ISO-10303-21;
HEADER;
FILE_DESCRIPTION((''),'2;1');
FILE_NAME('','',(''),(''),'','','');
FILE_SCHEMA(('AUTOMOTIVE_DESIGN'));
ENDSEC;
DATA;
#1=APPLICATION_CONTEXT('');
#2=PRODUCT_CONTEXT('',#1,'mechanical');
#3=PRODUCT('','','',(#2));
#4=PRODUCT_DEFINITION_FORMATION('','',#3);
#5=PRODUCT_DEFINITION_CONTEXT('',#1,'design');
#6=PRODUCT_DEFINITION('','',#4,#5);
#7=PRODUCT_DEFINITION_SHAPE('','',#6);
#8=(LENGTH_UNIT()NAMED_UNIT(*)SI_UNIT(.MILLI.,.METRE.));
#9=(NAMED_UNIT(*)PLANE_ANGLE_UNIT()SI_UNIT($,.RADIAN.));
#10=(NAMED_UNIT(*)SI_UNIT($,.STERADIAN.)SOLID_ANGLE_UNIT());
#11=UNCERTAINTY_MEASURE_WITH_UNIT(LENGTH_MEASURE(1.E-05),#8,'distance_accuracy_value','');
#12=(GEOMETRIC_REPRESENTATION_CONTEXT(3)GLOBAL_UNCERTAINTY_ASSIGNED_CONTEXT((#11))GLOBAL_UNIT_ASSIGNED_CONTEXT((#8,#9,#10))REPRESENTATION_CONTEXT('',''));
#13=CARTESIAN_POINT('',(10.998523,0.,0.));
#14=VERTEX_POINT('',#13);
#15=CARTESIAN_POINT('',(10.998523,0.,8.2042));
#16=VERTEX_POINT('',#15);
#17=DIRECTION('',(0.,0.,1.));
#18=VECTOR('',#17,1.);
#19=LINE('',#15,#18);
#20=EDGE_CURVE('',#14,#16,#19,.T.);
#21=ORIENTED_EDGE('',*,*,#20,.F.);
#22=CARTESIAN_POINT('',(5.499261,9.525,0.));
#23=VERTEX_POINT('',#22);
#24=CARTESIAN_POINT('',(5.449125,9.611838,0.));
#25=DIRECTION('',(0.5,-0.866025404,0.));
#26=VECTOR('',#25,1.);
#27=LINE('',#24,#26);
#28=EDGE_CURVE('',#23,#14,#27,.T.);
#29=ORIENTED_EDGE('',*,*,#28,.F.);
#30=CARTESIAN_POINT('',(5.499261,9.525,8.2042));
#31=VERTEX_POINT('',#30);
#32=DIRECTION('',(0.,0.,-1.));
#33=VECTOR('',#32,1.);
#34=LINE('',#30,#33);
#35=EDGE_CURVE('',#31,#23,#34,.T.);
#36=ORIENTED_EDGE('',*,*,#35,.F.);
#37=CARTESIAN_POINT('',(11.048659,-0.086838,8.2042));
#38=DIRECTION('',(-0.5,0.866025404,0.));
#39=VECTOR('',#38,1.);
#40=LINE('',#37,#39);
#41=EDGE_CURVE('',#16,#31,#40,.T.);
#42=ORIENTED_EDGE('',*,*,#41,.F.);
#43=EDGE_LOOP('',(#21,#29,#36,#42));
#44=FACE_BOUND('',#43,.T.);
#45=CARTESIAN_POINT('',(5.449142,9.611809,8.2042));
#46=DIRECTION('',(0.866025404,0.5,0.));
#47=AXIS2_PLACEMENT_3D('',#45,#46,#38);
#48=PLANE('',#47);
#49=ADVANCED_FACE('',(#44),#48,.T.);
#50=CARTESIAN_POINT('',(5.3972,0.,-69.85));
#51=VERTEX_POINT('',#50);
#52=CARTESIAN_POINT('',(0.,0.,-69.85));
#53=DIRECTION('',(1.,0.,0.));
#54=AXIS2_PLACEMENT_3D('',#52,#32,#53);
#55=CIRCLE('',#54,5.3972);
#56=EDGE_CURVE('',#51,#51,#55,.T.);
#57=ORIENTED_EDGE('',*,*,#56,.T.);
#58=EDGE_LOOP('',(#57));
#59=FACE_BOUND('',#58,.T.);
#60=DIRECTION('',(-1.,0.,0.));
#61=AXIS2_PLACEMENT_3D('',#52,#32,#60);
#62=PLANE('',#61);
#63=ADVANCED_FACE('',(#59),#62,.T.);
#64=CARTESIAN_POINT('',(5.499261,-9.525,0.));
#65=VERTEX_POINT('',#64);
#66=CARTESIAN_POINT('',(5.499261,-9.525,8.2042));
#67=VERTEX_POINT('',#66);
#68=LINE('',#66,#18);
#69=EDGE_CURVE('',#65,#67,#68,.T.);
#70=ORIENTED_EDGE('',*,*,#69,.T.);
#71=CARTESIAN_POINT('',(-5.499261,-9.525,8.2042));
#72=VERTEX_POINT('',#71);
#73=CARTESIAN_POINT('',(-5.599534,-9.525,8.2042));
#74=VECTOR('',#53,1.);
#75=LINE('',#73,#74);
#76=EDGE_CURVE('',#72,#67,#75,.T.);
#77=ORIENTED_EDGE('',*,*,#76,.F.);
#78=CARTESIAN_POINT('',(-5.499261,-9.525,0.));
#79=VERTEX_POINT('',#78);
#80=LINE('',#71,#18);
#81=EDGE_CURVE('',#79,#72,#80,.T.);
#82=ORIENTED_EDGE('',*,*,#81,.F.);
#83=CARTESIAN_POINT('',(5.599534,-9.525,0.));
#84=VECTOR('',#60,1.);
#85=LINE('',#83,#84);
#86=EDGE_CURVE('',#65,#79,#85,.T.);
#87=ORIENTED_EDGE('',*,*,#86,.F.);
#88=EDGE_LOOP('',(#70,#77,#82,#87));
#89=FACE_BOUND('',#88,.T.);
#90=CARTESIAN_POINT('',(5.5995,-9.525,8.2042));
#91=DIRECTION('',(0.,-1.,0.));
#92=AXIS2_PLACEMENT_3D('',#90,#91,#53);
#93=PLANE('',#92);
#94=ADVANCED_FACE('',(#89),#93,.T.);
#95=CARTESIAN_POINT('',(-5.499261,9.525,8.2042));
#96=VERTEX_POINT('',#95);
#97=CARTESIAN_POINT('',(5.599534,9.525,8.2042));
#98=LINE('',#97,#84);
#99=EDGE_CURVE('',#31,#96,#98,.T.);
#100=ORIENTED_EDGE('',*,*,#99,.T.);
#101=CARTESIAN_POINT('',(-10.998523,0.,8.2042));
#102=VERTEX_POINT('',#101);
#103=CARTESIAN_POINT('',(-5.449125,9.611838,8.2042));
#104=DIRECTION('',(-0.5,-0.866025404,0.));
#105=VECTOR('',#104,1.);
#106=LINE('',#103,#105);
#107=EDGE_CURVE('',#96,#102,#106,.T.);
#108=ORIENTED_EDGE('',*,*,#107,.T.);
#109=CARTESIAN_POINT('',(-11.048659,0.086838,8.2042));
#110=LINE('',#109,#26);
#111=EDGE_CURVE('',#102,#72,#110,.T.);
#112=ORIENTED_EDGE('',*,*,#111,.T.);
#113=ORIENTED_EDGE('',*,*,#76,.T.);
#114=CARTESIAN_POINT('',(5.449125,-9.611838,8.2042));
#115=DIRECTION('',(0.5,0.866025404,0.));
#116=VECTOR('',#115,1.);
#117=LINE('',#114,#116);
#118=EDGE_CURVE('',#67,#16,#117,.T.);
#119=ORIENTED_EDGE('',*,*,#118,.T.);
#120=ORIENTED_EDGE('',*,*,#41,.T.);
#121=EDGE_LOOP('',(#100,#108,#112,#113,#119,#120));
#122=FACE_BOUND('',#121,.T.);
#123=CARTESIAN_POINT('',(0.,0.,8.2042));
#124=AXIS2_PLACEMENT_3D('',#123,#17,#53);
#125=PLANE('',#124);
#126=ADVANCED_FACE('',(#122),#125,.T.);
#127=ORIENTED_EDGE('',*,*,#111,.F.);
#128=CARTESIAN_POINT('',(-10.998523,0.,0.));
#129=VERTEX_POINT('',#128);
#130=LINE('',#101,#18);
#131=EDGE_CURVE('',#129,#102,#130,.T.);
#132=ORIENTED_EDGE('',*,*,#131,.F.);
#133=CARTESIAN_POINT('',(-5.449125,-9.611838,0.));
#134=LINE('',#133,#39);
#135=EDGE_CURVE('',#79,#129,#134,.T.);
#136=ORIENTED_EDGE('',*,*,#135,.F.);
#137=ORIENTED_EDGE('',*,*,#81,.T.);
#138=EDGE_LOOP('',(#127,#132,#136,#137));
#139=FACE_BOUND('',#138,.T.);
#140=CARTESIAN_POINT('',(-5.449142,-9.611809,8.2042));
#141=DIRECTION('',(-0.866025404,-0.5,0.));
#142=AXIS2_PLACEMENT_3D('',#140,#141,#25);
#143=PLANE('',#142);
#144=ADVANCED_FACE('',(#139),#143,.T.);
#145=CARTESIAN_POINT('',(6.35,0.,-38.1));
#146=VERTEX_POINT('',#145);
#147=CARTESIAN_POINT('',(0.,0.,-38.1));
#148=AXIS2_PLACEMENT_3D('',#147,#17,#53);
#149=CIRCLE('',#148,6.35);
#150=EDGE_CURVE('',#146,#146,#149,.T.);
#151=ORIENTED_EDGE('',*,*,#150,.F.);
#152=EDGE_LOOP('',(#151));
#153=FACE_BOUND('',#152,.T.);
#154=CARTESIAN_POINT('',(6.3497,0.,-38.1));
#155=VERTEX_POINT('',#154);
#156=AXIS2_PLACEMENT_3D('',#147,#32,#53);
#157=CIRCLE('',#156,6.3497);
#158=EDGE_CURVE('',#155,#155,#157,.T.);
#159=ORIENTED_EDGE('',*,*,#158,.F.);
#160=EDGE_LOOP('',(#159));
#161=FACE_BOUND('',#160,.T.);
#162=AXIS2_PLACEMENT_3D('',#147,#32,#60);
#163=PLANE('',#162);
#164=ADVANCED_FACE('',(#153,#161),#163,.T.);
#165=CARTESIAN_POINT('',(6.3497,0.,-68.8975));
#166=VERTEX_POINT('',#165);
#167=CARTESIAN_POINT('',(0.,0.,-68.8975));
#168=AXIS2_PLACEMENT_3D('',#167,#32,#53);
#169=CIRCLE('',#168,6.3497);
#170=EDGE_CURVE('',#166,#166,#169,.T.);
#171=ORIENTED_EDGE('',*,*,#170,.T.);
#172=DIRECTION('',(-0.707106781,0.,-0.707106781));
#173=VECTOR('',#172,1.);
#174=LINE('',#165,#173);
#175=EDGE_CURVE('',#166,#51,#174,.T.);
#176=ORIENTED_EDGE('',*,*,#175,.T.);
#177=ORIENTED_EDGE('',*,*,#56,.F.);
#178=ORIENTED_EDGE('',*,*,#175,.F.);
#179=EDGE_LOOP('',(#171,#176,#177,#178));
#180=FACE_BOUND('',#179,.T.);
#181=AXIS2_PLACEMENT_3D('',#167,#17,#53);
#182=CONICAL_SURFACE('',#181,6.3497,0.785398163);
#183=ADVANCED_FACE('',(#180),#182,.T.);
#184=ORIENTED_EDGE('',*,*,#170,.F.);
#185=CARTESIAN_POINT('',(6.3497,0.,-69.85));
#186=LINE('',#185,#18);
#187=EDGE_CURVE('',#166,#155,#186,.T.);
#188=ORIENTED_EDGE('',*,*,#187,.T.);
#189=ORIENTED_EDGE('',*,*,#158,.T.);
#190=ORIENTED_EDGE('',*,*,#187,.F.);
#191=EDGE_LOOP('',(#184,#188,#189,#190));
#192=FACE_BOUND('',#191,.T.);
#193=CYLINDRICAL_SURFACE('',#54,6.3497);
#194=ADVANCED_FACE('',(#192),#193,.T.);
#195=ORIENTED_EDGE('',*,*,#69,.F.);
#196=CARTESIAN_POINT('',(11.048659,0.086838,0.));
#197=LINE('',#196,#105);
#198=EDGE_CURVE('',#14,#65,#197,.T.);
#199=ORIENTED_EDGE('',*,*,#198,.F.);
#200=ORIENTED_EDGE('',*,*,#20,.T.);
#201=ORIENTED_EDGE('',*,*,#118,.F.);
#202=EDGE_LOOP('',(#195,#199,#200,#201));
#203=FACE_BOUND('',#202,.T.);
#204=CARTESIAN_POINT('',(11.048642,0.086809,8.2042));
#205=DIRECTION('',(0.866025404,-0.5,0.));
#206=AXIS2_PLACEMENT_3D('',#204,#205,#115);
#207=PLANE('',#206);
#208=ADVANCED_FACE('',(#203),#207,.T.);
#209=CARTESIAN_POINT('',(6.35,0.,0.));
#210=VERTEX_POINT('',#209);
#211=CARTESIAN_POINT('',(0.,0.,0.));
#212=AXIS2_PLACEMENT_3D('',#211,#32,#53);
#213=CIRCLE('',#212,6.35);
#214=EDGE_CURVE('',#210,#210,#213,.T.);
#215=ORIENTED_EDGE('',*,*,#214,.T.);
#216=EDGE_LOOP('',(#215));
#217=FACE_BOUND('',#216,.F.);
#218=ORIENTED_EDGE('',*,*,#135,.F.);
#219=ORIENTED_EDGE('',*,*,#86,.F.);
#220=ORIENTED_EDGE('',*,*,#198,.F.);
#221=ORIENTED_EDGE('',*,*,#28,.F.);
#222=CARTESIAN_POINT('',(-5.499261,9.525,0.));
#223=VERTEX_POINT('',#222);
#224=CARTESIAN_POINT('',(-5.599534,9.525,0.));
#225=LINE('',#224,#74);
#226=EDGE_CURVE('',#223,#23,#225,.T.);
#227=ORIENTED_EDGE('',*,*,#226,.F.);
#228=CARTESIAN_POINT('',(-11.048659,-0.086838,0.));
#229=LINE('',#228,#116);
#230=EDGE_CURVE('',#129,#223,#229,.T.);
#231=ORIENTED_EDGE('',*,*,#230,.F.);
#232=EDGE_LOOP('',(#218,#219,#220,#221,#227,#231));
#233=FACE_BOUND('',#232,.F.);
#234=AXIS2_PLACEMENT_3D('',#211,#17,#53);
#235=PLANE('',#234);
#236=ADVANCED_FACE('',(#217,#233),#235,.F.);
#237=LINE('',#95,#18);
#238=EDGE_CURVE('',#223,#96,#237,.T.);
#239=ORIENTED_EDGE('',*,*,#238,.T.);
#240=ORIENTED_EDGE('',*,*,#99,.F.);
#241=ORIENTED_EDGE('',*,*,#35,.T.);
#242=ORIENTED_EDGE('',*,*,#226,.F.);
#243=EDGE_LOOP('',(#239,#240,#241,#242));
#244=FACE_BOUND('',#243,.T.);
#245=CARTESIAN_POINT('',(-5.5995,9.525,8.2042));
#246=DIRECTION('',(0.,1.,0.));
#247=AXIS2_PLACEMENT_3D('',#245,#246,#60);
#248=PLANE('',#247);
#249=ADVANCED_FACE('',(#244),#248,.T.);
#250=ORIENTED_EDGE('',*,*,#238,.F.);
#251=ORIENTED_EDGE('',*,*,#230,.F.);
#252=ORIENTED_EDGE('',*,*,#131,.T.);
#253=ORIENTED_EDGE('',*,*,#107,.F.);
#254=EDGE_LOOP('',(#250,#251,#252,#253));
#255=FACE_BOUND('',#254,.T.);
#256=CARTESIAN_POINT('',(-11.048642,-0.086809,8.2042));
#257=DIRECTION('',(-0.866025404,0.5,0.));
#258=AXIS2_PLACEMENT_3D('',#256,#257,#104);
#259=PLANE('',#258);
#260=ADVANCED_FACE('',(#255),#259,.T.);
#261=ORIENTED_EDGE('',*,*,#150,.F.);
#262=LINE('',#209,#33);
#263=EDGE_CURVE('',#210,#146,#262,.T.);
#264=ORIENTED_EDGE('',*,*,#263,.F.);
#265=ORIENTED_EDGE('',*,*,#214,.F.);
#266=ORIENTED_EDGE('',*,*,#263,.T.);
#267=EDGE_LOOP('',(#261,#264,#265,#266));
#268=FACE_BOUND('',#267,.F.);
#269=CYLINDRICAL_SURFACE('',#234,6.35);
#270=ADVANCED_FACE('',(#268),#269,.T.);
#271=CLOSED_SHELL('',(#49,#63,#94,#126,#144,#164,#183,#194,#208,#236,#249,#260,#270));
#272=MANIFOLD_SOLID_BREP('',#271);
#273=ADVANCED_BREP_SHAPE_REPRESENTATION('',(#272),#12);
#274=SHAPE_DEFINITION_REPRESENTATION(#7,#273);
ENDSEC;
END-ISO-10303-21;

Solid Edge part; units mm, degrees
sketch "Sketch1" plane through (0, 0, 0) normal (0, 0, 1) x (1, 0, 0)
  circle A0 centre (0, 0) radius 11.049
  dimension "D1" = 22.098
extrude "Protrusion1" add sketch "Sketch1" along normal blind 8.2042
sketch "Sketch2" plane through (0, 0, 0) normal (0, 0, -1) x (1, 0, 0)
  circle A0 centre (0, 0) radius 6.35
extrude "Protrusion2" add sketch "Sketch2" along normal blind 69.85
sketch "Sketch3" plane through (0, 0, -69.85) normal (0, 0, -1) x (1, 0, 0)
  circle A0 centre (0, 0) radius 6.3497
extrude "Cutout1" cut sketch "Sketch3" against normal blind 31.75 flip side to cut
chamfer "Chamfer_1" distance 0.9525 angle 45 1 edges at (-6.3497, 0, -69.85)
sketch "Sketch4" plane through (0, 0, 8.2042) normal (0, 0, 1) x (1, 0, 0)
  line L0 (-5.5995, 9.525) -> (5.5995, 9.525)
  dimension "D1" = 19.05
extrude "Cutout2" cut sketch "Sketch4" against normal up to next material side at (0, 9.575, 8.2042)
pattern_circular "Pattern1" count 6 over 360 about axis through (0, 0, 8.2042) along (0, 0, 1) of "Cutout2"
properties part number "24100104"
